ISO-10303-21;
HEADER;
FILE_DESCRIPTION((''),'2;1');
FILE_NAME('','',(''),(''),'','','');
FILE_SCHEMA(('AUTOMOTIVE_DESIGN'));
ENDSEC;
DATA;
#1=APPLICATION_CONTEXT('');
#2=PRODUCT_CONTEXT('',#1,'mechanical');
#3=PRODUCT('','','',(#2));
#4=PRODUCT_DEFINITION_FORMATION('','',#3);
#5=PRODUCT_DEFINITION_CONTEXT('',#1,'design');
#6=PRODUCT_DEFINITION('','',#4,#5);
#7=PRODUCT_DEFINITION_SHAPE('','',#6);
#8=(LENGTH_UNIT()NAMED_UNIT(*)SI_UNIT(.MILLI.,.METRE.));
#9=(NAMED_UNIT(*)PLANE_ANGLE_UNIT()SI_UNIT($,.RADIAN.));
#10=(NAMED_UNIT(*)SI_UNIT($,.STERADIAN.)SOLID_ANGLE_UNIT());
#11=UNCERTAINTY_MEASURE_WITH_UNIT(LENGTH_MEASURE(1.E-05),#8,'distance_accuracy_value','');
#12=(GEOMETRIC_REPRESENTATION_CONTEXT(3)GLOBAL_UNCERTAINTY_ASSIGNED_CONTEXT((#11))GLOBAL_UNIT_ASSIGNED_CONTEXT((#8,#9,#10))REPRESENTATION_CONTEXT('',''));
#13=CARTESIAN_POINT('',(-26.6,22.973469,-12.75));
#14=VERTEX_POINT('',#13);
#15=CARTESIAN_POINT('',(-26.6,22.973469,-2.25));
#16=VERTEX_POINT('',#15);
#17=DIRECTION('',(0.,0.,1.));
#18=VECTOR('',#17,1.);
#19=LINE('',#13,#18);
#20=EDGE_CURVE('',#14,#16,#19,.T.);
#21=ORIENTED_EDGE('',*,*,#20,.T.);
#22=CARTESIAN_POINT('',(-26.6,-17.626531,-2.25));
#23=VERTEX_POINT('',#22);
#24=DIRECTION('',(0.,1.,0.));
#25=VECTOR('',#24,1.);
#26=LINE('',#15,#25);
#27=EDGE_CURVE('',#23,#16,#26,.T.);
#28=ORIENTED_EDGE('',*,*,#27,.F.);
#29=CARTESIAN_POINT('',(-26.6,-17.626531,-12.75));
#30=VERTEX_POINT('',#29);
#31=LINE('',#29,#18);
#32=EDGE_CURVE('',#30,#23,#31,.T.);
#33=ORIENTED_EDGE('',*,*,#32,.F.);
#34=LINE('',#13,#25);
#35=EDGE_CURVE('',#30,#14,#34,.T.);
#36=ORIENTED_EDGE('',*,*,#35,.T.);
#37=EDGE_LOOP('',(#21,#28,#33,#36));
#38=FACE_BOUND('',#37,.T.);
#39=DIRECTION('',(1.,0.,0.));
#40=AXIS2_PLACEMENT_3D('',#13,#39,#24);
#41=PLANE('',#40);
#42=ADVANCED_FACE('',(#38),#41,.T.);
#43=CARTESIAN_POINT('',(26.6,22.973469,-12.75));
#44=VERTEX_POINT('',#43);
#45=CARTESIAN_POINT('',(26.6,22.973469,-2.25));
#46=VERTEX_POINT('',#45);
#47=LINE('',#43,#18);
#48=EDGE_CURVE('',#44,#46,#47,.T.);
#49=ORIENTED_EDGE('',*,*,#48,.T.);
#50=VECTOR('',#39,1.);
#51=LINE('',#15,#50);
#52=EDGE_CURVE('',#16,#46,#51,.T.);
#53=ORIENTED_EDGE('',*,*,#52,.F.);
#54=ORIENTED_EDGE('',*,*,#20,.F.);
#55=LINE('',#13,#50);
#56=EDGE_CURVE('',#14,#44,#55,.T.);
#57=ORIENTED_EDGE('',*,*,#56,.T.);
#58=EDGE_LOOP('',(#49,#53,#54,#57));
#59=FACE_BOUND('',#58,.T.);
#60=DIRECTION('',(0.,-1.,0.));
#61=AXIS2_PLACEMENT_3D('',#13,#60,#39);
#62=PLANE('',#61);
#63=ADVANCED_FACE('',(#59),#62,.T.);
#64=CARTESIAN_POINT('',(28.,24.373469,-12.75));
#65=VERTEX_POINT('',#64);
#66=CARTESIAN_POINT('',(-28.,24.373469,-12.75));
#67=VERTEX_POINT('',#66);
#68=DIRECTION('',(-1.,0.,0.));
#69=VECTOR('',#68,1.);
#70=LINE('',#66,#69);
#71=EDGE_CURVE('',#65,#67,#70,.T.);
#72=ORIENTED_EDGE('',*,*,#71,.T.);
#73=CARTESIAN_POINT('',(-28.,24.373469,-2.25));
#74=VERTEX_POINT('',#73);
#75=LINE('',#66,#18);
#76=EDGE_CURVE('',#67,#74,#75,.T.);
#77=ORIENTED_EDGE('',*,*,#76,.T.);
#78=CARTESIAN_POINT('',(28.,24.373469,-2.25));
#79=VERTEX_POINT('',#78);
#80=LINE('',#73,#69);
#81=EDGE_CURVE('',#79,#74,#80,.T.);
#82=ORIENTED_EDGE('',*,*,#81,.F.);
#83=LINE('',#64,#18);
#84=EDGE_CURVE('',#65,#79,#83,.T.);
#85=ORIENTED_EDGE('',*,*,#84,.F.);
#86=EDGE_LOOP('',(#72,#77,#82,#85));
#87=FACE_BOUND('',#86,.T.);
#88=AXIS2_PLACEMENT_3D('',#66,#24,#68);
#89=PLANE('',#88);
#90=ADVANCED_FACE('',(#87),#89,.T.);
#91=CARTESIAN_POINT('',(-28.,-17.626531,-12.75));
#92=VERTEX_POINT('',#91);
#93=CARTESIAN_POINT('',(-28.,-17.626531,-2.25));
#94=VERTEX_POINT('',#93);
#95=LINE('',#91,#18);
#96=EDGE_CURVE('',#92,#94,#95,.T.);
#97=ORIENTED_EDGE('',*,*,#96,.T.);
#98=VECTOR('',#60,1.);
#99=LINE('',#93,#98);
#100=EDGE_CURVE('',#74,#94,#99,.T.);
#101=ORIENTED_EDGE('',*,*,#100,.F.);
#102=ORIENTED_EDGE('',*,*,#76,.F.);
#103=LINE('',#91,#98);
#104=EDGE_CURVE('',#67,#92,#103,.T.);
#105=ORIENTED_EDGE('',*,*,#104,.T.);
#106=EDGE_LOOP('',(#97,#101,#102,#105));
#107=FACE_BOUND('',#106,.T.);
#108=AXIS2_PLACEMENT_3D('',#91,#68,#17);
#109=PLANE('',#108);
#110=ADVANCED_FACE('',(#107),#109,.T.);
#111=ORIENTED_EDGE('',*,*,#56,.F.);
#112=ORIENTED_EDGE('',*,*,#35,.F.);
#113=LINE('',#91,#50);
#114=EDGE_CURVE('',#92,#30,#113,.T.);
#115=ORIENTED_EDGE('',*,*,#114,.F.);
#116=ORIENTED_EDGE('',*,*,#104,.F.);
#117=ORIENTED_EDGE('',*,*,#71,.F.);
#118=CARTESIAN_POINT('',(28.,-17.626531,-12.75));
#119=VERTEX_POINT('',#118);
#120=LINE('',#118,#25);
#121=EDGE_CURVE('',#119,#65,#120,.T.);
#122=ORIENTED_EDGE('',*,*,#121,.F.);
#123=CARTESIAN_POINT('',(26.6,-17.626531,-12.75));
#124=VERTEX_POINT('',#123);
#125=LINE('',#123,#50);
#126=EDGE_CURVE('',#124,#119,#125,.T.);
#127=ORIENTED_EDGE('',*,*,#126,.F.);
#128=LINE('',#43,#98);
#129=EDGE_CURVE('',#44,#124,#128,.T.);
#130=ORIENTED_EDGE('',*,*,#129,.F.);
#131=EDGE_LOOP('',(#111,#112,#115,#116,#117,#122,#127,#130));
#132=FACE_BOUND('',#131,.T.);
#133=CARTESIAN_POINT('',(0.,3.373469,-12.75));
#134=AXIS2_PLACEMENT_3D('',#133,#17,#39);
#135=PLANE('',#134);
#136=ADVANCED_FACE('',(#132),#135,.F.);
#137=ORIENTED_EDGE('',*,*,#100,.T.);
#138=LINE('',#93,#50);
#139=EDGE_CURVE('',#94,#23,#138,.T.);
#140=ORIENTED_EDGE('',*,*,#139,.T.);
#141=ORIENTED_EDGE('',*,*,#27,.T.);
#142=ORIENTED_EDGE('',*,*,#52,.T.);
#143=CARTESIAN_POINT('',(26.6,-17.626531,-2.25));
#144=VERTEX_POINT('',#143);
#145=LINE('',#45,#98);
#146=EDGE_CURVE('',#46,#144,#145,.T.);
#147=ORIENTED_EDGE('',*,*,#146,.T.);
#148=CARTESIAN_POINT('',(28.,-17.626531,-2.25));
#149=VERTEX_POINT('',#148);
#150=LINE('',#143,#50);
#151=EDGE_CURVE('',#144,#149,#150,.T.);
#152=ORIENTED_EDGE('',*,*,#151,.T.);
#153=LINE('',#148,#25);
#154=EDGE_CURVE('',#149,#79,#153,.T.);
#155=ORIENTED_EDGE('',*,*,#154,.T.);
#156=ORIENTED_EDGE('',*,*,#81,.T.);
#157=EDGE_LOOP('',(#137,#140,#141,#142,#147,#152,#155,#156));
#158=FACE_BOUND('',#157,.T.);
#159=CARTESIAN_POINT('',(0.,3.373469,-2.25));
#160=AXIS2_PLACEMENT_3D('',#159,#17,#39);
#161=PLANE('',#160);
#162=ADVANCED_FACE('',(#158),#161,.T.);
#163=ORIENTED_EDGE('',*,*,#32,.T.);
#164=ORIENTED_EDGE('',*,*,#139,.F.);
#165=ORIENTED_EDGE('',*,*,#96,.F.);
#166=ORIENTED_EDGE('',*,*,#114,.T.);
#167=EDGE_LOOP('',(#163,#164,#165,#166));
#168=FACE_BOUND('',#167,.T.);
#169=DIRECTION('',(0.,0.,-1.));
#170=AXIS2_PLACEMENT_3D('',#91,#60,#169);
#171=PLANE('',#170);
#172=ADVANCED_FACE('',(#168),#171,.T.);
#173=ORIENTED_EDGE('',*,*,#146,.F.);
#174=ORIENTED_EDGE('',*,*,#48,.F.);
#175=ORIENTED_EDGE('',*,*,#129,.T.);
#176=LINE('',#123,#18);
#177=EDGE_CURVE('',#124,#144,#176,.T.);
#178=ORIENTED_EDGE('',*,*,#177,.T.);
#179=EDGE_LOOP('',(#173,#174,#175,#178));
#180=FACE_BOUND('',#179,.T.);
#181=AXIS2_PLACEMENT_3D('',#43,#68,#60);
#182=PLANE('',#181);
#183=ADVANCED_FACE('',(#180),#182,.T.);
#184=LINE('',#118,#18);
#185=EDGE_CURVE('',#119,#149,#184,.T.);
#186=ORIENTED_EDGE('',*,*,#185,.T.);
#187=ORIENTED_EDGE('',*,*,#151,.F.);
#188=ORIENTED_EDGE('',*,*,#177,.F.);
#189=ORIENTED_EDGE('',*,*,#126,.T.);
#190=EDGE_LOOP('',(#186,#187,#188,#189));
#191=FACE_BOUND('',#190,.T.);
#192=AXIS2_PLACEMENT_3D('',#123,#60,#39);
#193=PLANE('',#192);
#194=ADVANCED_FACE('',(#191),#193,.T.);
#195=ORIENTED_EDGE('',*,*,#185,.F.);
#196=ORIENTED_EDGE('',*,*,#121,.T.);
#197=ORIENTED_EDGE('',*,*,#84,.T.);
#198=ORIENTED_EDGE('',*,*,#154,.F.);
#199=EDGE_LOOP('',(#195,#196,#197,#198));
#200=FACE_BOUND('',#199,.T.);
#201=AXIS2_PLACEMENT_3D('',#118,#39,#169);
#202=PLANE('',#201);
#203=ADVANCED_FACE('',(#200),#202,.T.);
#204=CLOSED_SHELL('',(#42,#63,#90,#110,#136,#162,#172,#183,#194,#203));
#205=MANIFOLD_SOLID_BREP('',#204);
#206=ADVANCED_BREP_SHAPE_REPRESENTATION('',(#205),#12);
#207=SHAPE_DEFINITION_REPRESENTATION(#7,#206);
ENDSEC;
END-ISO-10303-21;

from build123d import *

# Parameters (mm, degrees)
BOSS_EXTRUDE1_DEPTH = 15
SCALE1_SCALE        = 0.7


with BuildPart() as part:
    # Sketch2 → Boss-Extrude1 (new body)
    with BuildSketch(Plane(origin=(0, 0, 0), x_dir=(0, 1, 0), z_dir=(0, 0, 1))):
        Polygon((-30, -38), (-30, -40), (30, -40), (30, 40), (-30, 40), (-30, 38), (28, 38), (28, -38), align=None)
    extrude(amount=-BOSS_EXTRUDE1_DEPTH)


with BuildPart() as part_1:
    # Scale1: scaled about (0, 11.244897959, -7.5)
    add(part.part.scale(SCALE1_SCALE).moved(Location((0, 3.373469388, -2.25))))


solid = part_1.part
